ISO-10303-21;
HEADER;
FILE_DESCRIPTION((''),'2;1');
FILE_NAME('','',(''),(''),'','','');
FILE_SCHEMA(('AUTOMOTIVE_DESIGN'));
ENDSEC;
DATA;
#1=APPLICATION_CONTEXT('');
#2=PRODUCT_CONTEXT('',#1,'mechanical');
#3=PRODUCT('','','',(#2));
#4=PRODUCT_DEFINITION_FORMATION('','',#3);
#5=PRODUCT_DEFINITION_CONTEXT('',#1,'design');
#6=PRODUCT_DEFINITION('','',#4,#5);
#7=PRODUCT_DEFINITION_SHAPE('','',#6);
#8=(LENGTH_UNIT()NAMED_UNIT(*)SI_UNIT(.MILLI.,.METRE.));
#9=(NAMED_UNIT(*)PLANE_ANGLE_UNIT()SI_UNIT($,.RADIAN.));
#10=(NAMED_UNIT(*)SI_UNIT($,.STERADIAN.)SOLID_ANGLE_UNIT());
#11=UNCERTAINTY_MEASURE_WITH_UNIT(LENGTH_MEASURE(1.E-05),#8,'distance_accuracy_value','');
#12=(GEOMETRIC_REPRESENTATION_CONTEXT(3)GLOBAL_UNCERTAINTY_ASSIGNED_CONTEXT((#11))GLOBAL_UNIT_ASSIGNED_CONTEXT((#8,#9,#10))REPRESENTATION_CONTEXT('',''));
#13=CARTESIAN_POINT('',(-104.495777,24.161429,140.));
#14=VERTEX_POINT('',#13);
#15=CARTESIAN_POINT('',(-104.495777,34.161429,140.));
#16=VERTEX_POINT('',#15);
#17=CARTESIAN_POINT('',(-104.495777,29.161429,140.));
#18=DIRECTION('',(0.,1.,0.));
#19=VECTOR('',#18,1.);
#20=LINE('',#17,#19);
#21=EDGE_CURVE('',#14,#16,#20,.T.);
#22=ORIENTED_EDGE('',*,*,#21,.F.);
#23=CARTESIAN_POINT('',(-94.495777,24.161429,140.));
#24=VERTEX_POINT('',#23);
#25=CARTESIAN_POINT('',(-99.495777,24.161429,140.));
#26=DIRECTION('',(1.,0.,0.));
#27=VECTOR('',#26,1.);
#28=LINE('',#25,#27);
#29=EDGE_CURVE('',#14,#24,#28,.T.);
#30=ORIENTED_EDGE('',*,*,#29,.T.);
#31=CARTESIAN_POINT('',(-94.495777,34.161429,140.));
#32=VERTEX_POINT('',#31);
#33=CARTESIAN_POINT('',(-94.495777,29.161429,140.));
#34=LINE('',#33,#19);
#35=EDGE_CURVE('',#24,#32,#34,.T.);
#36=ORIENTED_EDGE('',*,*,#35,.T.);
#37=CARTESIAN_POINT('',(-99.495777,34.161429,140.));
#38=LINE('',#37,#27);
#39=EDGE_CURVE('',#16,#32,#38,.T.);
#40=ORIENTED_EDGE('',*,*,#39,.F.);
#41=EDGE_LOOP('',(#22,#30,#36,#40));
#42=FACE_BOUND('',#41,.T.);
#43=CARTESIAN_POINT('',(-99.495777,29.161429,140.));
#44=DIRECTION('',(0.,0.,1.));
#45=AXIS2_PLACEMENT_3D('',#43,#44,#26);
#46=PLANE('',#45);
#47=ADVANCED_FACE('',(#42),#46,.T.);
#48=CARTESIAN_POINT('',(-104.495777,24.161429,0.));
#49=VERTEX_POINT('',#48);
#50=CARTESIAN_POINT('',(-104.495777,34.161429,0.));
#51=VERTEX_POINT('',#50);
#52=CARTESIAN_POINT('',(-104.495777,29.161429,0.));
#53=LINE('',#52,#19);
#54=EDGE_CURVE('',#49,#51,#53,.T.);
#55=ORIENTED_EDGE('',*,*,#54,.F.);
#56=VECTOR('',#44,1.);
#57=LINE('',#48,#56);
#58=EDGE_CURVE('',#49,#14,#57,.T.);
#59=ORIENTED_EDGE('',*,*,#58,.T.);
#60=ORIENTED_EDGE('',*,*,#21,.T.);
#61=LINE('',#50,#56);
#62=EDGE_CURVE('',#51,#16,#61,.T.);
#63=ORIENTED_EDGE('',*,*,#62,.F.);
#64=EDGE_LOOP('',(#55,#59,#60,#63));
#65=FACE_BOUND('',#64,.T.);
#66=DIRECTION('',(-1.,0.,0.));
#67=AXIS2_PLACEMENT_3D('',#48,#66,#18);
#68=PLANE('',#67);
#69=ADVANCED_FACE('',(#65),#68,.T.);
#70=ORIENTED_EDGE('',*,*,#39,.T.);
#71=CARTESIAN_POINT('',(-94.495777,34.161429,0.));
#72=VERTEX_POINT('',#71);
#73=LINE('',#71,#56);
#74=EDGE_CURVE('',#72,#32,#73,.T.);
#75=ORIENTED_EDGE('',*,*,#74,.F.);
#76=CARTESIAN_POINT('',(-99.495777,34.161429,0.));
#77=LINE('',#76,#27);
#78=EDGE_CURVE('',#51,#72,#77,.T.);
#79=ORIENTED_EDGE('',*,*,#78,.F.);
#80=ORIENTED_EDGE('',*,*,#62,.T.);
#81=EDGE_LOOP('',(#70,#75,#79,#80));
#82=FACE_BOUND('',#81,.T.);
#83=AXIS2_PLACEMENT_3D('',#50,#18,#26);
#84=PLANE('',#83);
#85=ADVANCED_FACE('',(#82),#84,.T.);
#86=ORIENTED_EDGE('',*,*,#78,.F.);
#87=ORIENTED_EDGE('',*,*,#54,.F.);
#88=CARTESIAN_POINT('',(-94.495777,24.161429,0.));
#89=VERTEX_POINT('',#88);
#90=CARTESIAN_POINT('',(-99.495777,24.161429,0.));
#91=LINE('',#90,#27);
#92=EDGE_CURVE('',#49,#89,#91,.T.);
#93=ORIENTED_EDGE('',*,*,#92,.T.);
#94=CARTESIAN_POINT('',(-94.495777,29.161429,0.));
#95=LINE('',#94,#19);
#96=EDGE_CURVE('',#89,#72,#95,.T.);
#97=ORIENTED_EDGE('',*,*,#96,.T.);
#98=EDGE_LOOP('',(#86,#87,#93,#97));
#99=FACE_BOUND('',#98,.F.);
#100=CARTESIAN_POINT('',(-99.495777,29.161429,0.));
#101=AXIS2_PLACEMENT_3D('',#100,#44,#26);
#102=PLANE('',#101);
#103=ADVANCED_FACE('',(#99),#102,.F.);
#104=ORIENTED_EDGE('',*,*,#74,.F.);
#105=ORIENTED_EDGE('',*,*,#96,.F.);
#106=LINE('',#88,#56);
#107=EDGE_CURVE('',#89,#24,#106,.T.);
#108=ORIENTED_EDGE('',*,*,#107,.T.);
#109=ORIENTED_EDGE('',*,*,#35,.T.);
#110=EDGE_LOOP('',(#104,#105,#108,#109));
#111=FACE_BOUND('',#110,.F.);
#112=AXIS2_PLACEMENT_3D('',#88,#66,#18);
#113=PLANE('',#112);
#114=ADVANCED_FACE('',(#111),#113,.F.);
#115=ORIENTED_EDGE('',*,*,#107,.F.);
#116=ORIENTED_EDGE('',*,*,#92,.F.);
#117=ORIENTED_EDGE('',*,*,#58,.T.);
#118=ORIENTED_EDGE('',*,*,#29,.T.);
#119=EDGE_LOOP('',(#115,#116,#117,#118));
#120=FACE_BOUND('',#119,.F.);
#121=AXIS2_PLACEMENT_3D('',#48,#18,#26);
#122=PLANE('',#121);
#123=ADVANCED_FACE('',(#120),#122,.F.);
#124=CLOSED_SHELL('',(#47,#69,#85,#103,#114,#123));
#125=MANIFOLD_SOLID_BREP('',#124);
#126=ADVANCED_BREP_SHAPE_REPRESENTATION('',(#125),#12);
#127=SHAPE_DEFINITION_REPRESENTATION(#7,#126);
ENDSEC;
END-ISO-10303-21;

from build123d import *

# Parameters (mm, degrees)
SKETCH1_W           = 10
SKETCH1_H           = 10
BOSS_EXTRUDE1_DEPTH = 140


with BuildPart() as part:
    # Sketch1 → Boss-Extrude1 (new body)
    with BuildSketch(Plane.XY):
        with Locations((-99.49577739, 29.161428773)):
            Rectangle(SKETCH1_W, SKETCH1_H)
    extrude(amount=BOSS_EXTRUDE1_DEPTH)


solid = part.part
